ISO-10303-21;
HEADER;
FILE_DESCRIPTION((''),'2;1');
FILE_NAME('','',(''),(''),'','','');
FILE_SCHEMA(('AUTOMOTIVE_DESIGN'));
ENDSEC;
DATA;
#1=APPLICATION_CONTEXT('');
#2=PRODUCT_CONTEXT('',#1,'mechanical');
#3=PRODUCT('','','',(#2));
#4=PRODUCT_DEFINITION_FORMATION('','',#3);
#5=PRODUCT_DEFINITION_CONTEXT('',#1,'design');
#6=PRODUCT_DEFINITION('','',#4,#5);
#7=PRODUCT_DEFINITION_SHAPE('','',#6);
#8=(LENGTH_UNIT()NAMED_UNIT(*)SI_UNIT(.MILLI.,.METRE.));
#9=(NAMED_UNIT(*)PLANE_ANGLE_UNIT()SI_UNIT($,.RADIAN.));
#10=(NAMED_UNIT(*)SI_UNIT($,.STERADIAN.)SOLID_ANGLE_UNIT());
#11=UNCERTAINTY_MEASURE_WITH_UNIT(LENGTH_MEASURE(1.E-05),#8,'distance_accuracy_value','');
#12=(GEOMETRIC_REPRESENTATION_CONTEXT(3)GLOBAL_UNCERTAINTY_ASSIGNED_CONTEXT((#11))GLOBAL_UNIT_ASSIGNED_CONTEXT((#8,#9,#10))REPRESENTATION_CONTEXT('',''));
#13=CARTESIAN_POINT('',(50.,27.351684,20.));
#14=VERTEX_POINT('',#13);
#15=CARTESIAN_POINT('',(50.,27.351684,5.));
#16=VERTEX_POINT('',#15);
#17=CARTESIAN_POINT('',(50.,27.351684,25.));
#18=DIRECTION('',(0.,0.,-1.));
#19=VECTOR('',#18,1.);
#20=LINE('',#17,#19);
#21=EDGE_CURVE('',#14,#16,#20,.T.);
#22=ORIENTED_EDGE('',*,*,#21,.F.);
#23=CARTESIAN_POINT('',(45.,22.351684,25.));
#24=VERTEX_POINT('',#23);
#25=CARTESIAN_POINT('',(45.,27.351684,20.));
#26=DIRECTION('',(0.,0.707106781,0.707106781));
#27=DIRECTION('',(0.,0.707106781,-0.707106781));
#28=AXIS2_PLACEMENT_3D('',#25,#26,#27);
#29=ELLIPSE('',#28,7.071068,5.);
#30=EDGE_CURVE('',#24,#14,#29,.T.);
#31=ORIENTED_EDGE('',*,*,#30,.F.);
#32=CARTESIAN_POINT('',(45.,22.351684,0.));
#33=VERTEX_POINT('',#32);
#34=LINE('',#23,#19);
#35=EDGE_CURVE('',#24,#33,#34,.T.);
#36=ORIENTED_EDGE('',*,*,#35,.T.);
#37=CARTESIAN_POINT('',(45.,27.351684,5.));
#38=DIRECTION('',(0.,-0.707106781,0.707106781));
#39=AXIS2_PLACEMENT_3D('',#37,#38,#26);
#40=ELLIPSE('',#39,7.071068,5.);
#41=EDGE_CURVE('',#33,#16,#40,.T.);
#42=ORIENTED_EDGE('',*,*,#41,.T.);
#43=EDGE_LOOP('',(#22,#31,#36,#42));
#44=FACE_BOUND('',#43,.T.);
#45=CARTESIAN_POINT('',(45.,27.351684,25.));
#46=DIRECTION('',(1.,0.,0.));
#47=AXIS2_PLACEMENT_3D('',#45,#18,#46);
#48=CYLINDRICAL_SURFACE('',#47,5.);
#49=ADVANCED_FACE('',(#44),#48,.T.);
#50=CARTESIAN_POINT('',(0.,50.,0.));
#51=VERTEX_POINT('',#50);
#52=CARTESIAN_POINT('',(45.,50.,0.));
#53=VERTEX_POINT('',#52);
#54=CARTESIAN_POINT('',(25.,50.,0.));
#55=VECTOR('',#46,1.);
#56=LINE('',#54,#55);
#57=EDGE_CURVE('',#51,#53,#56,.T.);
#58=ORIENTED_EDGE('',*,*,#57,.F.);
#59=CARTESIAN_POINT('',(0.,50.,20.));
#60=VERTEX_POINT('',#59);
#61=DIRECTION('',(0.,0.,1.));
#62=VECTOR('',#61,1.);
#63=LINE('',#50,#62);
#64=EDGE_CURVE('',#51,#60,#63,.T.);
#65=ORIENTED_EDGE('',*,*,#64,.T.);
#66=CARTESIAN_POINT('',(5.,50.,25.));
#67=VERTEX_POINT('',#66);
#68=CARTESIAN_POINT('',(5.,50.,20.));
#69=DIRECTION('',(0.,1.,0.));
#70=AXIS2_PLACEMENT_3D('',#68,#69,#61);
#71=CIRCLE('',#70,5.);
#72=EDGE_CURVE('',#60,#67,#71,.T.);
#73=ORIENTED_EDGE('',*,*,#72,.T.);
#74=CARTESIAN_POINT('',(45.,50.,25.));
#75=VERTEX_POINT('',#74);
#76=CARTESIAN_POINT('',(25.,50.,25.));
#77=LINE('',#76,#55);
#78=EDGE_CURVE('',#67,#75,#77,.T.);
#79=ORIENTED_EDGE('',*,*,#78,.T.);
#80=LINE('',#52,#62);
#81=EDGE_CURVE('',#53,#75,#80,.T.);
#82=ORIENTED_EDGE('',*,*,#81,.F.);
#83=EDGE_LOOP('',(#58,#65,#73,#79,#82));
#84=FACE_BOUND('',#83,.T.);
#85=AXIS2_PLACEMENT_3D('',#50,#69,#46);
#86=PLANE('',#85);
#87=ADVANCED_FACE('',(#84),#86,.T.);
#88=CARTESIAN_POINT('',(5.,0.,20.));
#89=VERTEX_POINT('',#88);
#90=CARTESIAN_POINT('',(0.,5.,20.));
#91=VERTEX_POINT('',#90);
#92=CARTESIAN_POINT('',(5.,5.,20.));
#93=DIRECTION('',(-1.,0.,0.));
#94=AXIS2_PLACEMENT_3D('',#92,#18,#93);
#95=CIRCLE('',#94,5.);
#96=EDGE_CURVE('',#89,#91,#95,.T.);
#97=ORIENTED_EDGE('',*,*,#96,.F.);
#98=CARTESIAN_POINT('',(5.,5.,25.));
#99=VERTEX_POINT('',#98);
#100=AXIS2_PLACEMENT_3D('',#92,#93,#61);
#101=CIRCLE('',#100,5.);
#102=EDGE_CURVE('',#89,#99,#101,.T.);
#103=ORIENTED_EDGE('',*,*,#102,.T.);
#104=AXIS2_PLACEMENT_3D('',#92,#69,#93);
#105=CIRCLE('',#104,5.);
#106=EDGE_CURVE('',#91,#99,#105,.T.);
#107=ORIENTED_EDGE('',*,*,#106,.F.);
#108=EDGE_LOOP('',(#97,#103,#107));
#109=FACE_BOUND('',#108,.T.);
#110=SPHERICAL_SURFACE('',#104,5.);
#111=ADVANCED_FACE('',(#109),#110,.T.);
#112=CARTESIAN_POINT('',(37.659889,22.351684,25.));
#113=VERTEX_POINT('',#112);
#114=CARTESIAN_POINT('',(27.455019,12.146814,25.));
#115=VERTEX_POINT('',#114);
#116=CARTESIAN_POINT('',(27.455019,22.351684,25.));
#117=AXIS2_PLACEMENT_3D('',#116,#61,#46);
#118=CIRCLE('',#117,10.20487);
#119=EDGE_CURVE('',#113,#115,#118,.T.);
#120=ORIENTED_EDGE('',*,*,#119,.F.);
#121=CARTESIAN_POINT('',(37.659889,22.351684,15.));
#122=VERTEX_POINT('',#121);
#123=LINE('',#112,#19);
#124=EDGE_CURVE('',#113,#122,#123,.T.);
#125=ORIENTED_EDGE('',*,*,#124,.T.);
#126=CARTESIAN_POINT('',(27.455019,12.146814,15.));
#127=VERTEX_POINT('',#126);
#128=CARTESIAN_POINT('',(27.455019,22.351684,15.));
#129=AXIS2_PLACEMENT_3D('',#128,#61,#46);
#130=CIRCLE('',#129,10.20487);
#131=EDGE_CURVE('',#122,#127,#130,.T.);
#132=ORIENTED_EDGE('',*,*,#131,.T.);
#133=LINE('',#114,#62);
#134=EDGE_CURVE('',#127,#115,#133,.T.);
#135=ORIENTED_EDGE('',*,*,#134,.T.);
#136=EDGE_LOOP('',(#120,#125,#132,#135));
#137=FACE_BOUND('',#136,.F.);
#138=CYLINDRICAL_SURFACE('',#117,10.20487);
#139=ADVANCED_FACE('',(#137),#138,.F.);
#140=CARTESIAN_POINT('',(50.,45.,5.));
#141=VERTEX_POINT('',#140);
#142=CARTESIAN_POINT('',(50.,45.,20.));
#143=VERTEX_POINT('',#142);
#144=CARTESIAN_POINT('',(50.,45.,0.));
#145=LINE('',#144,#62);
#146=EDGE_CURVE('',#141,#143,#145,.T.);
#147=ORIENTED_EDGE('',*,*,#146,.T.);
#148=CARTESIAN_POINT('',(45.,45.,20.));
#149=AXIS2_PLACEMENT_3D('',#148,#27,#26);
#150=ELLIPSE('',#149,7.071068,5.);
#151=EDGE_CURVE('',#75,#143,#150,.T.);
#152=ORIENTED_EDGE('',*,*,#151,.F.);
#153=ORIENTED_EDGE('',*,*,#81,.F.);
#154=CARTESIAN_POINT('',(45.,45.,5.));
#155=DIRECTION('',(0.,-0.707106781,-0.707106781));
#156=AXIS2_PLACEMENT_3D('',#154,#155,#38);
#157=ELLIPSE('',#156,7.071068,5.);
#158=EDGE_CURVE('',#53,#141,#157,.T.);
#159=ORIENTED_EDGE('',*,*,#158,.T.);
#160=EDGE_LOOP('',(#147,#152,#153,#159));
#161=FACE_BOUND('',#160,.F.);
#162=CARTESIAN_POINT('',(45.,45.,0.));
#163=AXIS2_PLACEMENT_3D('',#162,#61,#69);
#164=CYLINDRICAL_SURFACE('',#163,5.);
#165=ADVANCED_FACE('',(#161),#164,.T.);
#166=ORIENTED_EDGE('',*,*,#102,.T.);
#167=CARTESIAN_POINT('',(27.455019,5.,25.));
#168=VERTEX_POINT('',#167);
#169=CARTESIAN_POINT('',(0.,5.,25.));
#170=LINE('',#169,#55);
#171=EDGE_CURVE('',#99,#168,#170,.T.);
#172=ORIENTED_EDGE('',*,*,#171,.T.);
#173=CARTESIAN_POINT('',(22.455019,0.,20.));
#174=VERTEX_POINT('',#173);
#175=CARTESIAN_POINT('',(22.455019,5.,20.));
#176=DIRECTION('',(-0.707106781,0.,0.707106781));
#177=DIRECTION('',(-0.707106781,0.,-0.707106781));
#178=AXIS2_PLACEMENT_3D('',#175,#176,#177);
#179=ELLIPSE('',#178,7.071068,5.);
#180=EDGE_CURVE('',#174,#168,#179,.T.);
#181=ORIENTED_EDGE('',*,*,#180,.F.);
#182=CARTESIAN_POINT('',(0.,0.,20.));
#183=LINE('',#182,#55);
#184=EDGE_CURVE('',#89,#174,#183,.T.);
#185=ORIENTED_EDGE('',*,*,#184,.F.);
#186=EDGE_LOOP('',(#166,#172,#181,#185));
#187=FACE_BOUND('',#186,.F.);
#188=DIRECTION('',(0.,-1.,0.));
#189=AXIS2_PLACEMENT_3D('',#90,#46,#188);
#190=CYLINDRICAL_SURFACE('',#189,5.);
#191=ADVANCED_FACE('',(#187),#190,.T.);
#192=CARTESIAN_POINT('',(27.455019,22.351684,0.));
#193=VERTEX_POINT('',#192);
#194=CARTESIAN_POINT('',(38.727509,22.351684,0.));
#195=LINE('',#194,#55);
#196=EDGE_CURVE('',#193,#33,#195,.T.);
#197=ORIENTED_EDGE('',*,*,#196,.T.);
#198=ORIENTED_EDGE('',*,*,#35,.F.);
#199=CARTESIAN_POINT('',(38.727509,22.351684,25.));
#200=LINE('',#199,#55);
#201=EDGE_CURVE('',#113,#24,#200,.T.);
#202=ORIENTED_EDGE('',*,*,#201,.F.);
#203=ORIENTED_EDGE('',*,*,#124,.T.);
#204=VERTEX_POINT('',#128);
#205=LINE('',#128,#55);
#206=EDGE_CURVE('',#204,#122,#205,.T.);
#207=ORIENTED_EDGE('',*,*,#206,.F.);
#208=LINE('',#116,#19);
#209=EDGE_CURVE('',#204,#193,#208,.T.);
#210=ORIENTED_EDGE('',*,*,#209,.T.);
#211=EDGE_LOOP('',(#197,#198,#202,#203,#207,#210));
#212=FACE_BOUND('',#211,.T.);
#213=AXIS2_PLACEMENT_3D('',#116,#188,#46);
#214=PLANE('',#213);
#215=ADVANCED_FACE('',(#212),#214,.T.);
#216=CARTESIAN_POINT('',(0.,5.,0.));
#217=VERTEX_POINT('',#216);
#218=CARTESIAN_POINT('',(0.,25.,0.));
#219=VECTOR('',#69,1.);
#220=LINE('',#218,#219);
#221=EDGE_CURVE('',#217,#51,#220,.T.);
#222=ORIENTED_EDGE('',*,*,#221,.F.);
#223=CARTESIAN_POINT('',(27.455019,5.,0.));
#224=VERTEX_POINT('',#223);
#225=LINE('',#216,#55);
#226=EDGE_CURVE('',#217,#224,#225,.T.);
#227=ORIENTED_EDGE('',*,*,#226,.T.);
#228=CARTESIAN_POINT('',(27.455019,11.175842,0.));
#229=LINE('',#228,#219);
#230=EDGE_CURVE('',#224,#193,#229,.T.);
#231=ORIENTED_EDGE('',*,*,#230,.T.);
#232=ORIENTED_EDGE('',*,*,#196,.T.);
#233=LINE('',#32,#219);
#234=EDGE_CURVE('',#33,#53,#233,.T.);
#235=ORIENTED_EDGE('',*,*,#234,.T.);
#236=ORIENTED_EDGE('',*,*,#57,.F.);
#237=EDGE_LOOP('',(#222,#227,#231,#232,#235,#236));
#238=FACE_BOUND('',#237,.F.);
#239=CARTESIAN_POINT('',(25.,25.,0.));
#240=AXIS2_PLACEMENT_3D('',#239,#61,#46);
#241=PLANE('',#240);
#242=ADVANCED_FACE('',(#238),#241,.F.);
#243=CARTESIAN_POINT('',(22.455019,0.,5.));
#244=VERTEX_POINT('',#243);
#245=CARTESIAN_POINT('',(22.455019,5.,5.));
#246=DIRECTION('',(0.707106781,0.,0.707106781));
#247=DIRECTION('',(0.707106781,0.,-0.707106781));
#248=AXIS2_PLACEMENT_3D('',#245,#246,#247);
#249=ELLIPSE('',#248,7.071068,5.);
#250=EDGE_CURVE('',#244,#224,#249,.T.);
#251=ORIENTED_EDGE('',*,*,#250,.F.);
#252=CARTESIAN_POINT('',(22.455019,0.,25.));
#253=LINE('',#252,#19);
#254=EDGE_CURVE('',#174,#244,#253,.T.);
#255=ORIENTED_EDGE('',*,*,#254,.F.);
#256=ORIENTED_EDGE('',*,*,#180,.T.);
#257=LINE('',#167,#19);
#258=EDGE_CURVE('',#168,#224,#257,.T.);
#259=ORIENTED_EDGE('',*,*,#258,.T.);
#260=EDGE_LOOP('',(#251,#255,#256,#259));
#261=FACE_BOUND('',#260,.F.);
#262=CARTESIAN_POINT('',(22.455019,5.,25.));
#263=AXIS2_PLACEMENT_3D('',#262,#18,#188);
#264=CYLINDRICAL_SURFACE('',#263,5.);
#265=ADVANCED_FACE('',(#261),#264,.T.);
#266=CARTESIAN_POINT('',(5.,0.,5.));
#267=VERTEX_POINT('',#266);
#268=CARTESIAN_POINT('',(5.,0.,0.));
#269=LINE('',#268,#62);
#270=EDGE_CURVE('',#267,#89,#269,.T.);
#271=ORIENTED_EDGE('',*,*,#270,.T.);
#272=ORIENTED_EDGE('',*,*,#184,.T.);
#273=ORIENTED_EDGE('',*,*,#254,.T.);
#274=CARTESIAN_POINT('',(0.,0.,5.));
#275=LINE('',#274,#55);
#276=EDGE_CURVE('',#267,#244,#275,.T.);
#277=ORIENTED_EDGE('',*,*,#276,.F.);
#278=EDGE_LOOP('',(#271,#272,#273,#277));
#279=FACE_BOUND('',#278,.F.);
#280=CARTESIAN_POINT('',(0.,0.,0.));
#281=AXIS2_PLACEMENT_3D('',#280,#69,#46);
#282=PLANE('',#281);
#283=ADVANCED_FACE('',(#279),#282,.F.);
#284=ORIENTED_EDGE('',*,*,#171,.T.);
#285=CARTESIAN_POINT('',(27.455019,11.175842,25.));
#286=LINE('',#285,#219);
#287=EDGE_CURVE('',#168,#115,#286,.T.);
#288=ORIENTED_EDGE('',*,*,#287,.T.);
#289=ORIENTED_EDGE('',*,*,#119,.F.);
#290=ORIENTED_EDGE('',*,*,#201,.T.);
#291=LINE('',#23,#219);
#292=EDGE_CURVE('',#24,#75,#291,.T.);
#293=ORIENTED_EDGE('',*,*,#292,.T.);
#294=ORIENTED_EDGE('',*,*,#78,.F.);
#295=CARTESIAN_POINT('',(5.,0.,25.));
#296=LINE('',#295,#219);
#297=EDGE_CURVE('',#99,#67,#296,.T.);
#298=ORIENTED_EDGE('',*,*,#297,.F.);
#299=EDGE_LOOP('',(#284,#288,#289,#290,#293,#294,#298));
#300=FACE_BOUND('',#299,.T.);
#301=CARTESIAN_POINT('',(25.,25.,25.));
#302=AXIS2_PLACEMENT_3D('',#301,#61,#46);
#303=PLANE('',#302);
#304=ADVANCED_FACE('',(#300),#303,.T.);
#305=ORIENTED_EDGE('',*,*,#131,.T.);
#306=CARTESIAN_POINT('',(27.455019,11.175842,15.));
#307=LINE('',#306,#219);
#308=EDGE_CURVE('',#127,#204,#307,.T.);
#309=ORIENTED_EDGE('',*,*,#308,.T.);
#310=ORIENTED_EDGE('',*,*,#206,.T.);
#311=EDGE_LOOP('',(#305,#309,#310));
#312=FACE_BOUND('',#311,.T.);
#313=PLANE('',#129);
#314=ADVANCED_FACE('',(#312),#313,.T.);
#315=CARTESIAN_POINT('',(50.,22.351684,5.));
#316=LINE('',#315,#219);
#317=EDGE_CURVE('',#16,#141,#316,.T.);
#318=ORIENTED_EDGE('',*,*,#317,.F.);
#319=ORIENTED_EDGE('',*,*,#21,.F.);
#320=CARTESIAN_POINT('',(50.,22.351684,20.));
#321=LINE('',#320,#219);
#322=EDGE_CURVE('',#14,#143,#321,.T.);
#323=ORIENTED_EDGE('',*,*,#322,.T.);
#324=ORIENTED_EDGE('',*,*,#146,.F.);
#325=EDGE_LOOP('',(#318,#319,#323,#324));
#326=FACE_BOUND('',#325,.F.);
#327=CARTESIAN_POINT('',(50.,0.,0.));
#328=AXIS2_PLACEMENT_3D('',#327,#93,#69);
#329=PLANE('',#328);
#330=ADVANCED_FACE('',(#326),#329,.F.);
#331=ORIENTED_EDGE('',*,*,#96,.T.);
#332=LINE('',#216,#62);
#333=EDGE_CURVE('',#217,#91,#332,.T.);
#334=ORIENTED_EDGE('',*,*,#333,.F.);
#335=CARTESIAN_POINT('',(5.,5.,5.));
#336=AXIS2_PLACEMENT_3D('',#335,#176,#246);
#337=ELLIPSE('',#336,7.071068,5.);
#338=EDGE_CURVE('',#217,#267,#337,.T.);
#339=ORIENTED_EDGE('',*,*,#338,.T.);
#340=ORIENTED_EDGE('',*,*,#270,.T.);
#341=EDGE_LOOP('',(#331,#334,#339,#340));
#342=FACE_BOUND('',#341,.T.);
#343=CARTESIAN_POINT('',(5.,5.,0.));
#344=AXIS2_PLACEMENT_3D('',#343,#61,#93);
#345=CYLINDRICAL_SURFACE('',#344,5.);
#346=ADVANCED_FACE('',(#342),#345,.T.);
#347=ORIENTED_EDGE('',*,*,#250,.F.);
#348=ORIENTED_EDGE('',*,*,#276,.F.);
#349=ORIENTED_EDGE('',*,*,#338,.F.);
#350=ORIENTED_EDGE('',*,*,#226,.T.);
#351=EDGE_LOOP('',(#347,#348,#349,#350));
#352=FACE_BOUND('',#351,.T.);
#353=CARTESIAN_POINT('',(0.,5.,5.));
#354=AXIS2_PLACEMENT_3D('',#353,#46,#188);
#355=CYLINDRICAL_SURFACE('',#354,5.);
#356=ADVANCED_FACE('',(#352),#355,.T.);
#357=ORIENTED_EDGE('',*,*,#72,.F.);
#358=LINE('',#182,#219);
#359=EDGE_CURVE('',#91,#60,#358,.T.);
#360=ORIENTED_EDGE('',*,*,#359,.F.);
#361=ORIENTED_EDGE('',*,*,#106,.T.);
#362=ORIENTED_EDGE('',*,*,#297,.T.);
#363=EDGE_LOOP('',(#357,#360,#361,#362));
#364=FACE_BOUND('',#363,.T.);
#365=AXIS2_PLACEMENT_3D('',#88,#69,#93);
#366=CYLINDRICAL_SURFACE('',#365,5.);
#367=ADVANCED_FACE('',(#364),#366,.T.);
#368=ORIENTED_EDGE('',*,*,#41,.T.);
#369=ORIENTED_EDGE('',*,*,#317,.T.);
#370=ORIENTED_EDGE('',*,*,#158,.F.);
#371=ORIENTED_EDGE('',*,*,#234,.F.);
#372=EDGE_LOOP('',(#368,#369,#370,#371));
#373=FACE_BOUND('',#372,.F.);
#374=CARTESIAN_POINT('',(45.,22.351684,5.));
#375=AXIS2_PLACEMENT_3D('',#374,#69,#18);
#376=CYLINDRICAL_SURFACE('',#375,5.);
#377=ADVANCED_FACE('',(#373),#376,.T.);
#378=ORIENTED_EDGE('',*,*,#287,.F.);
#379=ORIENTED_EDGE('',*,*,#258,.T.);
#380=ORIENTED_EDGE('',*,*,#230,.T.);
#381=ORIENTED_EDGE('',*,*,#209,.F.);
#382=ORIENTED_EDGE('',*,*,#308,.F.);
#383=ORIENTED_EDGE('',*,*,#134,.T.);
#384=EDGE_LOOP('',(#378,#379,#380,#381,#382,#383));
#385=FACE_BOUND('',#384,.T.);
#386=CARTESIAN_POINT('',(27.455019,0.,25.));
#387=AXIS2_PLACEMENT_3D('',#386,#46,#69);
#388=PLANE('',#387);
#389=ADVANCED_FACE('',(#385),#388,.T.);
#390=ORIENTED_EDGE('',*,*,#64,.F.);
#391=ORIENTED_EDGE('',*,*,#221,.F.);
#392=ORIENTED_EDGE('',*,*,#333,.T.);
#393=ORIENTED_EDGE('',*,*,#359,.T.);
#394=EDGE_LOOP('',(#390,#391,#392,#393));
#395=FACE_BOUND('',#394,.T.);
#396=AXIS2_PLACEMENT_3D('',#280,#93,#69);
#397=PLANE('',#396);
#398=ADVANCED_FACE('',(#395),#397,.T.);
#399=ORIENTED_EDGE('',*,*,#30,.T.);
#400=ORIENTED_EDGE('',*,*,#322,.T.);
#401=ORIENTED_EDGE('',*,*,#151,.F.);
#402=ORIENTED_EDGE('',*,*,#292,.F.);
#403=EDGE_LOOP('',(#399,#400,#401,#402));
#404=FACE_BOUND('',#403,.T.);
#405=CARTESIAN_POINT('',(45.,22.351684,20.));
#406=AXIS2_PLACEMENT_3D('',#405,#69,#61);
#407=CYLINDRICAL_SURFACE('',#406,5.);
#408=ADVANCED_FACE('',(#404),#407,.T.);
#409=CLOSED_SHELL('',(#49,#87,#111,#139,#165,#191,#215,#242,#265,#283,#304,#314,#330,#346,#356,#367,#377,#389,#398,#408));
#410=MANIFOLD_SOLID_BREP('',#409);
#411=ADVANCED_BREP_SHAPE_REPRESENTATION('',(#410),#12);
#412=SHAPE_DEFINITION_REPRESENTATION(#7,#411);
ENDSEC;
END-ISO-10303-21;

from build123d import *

# Parameters (mm, degrees)
F0_W     = 50
F0_H     = 50
F1_DEPTH = 25
F2_R     = 10.2048696912
F3_DEPTH = 10
F4_W     = 22.5449811667
F4_H     = 22.3516840488
F5_DEPTH = 25
F6_R     = 5


with BuildPart() as f1:
    # F0 (on Top) → F1 (new body)
    with BuildSketch(Plane.XY):
        with Locations((25, 25)):
            Rectangle(F0_W, F0_H)
    extrude(amount=F1_DEPTH)

    # F2 (on face) → F3 (cut)
    with BuildSketch(Plane.XY.offset(25)):
        with Locations((27.4550188333, 22.3516840488)):
            Circle(F2_R)
    extrude(amount=-F3_DEPTH, mode=Mode.SUBTRACT)

    # F4 (on face) → F5 (cut)
    with BuildSketch(Plane.XY.offset(25)):
        with Locations((38.7275094166, 11.1758420244)):
            Rectangle(F4_W, F4_H)
    extrude(amount=-F5_DEPTH, mode=Mode.SUBTRACT)

    # F6
    f6_edges = [f1.edges().sort_by_distance(p)[0] for p in [
        (0, 25, 25),
        (0, 0, 12.5),
        (13.727509, 0, 0),
        (27.455019, 0, 12.5),
        (13.727509, 0, 25),
        (50, 36.175842, 25),
        (50, 50, 12.5),
        (50, 36.175842, 0),
        (50, 22.351684, 12.5),
    ]]
    fillet(f6_edges, radius=F6_R)


solid = f1.part
